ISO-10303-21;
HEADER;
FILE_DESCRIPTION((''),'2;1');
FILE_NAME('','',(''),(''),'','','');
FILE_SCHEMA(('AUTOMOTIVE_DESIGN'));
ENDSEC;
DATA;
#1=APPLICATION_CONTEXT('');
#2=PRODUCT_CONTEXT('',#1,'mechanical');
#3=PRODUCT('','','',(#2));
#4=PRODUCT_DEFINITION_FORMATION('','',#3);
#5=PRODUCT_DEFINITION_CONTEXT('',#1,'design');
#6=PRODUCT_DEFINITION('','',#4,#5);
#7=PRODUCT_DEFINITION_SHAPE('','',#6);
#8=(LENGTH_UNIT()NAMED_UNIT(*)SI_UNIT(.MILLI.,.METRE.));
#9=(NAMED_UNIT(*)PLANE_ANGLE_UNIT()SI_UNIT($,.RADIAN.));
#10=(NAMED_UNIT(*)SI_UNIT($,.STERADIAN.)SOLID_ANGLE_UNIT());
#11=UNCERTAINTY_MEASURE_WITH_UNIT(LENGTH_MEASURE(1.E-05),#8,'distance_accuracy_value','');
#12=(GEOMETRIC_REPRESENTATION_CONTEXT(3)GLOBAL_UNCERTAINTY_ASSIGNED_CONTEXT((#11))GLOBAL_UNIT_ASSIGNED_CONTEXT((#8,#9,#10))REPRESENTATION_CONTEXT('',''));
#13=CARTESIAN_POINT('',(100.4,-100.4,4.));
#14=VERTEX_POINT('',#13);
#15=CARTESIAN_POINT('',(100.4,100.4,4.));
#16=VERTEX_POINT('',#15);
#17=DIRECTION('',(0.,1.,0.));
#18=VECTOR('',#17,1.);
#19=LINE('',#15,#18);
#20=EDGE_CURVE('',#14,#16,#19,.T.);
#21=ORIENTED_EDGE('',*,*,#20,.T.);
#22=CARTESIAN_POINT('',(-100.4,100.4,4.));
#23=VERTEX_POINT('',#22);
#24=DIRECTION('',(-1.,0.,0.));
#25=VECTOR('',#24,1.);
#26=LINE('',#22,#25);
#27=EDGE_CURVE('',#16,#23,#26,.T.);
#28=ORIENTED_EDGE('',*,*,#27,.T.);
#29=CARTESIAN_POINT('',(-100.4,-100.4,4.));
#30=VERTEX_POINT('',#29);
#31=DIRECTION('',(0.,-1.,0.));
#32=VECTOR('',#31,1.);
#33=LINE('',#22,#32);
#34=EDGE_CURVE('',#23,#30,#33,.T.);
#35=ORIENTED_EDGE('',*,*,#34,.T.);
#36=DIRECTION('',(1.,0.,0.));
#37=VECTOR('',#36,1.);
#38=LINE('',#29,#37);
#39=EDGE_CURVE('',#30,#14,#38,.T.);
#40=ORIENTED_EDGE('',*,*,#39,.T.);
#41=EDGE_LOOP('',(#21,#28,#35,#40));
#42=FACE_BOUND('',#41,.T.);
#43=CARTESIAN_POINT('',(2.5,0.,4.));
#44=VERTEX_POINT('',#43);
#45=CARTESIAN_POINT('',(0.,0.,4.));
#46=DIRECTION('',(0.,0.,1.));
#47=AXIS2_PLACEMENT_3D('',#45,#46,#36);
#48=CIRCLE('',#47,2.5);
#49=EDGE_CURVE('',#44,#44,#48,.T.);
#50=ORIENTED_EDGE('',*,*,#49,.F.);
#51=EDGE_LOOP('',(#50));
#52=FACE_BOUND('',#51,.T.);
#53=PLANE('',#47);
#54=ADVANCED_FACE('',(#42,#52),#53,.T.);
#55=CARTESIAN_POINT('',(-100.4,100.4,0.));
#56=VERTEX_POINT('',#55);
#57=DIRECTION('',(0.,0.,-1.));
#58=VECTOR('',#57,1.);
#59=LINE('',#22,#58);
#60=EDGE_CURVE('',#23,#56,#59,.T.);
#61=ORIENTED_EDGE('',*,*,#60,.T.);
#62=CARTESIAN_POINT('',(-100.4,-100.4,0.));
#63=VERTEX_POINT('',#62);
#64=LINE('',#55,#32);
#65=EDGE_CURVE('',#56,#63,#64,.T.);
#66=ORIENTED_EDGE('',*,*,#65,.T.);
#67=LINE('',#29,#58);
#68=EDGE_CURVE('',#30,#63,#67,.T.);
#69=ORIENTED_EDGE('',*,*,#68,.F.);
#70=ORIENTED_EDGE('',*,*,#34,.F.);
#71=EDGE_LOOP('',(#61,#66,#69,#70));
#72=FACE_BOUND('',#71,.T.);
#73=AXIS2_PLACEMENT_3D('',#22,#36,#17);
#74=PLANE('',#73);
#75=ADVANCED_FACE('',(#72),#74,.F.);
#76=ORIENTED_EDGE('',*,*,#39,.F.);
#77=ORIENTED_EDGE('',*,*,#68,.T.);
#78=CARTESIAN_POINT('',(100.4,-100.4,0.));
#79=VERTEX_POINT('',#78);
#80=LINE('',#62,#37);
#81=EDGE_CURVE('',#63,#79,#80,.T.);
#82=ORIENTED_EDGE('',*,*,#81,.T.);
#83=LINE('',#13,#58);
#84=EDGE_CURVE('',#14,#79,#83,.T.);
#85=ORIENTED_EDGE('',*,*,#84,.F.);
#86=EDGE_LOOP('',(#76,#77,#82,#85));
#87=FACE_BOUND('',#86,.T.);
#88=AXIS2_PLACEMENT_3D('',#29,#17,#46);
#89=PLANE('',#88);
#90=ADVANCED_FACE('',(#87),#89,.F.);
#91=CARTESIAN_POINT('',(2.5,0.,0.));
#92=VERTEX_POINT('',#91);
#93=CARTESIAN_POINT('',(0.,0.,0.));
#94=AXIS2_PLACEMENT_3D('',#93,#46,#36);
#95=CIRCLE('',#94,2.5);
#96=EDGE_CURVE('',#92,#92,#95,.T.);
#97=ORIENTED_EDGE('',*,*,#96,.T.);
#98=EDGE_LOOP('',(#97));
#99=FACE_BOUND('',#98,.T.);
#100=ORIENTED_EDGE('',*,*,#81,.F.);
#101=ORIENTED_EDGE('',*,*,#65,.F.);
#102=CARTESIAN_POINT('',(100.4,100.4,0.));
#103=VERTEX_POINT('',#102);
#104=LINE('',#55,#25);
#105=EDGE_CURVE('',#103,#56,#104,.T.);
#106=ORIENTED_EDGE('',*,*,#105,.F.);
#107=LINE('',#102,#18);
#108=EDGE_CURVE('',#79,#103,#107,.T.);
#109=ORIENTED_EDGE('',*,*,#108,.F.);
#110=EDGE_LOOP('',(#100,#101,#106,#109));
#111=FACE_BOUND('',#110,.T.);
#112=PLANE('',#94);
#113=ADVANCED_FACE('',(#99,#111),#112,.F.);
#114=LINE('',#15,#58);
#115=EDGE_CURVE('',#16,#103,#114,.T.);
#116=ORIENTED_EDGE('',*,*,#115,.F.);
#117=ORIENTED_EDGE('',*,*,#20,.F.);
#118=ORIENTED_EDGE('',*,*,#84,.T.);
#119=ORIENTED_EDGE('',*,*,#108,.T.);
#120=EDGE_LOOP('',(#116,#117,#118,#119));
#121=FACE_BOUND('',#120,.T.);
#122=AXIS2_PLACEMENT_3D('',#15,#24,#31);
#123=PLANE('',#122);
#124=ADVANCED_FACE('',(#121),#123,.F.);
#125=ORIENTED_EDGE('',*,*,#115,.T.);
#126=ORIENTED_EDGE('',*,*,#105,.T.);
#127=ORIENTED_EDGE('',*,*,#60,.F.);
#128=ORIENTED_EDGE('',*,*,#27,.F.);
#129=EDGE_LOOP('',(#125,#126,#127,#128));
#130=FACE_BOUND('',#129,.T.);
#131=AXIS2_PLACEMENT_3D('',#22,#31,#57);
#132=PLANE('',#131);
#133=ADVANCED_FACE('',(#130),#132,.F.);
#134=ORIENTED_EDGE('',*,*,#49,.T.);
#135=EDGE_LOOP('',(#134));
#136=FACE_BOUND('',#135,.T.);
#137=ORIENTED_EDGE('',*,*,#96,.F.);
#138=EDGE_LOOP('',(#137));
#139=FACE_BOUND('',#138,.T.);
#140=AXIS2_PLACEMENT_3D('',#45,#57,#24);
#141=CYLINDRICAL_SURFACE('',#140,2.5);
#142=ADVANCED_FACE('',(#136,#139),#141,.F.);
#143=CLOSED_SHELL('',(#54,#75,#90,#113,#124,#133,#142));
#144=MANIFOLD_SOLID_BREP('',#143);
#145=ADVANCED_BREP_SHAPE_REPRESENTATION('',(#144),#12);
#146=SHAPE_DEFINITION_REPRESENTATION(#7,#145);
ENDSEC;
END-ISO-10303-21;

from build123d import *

# Parameters (mm, degrees)
SKETCH1_W           = 200.8
SKETCH1_H           = 200.8
SKETCH1_R           = 2.5
BOSS_EXTRUDE2_DEPTH = 4


with BuildPart() as part:
    # Sketch1 → Boss-Extrude2 (new body)
    with BuildSketch(Plane.XY):
        Rectangle(SKETCH1_W, SKETCH1_H)
        Circle(SKETCH1_R, mode=Mode.SUBTRACT)
    extrude(amount=BOSS_EXTRUDE2_DEPTH)


solid = part.part
